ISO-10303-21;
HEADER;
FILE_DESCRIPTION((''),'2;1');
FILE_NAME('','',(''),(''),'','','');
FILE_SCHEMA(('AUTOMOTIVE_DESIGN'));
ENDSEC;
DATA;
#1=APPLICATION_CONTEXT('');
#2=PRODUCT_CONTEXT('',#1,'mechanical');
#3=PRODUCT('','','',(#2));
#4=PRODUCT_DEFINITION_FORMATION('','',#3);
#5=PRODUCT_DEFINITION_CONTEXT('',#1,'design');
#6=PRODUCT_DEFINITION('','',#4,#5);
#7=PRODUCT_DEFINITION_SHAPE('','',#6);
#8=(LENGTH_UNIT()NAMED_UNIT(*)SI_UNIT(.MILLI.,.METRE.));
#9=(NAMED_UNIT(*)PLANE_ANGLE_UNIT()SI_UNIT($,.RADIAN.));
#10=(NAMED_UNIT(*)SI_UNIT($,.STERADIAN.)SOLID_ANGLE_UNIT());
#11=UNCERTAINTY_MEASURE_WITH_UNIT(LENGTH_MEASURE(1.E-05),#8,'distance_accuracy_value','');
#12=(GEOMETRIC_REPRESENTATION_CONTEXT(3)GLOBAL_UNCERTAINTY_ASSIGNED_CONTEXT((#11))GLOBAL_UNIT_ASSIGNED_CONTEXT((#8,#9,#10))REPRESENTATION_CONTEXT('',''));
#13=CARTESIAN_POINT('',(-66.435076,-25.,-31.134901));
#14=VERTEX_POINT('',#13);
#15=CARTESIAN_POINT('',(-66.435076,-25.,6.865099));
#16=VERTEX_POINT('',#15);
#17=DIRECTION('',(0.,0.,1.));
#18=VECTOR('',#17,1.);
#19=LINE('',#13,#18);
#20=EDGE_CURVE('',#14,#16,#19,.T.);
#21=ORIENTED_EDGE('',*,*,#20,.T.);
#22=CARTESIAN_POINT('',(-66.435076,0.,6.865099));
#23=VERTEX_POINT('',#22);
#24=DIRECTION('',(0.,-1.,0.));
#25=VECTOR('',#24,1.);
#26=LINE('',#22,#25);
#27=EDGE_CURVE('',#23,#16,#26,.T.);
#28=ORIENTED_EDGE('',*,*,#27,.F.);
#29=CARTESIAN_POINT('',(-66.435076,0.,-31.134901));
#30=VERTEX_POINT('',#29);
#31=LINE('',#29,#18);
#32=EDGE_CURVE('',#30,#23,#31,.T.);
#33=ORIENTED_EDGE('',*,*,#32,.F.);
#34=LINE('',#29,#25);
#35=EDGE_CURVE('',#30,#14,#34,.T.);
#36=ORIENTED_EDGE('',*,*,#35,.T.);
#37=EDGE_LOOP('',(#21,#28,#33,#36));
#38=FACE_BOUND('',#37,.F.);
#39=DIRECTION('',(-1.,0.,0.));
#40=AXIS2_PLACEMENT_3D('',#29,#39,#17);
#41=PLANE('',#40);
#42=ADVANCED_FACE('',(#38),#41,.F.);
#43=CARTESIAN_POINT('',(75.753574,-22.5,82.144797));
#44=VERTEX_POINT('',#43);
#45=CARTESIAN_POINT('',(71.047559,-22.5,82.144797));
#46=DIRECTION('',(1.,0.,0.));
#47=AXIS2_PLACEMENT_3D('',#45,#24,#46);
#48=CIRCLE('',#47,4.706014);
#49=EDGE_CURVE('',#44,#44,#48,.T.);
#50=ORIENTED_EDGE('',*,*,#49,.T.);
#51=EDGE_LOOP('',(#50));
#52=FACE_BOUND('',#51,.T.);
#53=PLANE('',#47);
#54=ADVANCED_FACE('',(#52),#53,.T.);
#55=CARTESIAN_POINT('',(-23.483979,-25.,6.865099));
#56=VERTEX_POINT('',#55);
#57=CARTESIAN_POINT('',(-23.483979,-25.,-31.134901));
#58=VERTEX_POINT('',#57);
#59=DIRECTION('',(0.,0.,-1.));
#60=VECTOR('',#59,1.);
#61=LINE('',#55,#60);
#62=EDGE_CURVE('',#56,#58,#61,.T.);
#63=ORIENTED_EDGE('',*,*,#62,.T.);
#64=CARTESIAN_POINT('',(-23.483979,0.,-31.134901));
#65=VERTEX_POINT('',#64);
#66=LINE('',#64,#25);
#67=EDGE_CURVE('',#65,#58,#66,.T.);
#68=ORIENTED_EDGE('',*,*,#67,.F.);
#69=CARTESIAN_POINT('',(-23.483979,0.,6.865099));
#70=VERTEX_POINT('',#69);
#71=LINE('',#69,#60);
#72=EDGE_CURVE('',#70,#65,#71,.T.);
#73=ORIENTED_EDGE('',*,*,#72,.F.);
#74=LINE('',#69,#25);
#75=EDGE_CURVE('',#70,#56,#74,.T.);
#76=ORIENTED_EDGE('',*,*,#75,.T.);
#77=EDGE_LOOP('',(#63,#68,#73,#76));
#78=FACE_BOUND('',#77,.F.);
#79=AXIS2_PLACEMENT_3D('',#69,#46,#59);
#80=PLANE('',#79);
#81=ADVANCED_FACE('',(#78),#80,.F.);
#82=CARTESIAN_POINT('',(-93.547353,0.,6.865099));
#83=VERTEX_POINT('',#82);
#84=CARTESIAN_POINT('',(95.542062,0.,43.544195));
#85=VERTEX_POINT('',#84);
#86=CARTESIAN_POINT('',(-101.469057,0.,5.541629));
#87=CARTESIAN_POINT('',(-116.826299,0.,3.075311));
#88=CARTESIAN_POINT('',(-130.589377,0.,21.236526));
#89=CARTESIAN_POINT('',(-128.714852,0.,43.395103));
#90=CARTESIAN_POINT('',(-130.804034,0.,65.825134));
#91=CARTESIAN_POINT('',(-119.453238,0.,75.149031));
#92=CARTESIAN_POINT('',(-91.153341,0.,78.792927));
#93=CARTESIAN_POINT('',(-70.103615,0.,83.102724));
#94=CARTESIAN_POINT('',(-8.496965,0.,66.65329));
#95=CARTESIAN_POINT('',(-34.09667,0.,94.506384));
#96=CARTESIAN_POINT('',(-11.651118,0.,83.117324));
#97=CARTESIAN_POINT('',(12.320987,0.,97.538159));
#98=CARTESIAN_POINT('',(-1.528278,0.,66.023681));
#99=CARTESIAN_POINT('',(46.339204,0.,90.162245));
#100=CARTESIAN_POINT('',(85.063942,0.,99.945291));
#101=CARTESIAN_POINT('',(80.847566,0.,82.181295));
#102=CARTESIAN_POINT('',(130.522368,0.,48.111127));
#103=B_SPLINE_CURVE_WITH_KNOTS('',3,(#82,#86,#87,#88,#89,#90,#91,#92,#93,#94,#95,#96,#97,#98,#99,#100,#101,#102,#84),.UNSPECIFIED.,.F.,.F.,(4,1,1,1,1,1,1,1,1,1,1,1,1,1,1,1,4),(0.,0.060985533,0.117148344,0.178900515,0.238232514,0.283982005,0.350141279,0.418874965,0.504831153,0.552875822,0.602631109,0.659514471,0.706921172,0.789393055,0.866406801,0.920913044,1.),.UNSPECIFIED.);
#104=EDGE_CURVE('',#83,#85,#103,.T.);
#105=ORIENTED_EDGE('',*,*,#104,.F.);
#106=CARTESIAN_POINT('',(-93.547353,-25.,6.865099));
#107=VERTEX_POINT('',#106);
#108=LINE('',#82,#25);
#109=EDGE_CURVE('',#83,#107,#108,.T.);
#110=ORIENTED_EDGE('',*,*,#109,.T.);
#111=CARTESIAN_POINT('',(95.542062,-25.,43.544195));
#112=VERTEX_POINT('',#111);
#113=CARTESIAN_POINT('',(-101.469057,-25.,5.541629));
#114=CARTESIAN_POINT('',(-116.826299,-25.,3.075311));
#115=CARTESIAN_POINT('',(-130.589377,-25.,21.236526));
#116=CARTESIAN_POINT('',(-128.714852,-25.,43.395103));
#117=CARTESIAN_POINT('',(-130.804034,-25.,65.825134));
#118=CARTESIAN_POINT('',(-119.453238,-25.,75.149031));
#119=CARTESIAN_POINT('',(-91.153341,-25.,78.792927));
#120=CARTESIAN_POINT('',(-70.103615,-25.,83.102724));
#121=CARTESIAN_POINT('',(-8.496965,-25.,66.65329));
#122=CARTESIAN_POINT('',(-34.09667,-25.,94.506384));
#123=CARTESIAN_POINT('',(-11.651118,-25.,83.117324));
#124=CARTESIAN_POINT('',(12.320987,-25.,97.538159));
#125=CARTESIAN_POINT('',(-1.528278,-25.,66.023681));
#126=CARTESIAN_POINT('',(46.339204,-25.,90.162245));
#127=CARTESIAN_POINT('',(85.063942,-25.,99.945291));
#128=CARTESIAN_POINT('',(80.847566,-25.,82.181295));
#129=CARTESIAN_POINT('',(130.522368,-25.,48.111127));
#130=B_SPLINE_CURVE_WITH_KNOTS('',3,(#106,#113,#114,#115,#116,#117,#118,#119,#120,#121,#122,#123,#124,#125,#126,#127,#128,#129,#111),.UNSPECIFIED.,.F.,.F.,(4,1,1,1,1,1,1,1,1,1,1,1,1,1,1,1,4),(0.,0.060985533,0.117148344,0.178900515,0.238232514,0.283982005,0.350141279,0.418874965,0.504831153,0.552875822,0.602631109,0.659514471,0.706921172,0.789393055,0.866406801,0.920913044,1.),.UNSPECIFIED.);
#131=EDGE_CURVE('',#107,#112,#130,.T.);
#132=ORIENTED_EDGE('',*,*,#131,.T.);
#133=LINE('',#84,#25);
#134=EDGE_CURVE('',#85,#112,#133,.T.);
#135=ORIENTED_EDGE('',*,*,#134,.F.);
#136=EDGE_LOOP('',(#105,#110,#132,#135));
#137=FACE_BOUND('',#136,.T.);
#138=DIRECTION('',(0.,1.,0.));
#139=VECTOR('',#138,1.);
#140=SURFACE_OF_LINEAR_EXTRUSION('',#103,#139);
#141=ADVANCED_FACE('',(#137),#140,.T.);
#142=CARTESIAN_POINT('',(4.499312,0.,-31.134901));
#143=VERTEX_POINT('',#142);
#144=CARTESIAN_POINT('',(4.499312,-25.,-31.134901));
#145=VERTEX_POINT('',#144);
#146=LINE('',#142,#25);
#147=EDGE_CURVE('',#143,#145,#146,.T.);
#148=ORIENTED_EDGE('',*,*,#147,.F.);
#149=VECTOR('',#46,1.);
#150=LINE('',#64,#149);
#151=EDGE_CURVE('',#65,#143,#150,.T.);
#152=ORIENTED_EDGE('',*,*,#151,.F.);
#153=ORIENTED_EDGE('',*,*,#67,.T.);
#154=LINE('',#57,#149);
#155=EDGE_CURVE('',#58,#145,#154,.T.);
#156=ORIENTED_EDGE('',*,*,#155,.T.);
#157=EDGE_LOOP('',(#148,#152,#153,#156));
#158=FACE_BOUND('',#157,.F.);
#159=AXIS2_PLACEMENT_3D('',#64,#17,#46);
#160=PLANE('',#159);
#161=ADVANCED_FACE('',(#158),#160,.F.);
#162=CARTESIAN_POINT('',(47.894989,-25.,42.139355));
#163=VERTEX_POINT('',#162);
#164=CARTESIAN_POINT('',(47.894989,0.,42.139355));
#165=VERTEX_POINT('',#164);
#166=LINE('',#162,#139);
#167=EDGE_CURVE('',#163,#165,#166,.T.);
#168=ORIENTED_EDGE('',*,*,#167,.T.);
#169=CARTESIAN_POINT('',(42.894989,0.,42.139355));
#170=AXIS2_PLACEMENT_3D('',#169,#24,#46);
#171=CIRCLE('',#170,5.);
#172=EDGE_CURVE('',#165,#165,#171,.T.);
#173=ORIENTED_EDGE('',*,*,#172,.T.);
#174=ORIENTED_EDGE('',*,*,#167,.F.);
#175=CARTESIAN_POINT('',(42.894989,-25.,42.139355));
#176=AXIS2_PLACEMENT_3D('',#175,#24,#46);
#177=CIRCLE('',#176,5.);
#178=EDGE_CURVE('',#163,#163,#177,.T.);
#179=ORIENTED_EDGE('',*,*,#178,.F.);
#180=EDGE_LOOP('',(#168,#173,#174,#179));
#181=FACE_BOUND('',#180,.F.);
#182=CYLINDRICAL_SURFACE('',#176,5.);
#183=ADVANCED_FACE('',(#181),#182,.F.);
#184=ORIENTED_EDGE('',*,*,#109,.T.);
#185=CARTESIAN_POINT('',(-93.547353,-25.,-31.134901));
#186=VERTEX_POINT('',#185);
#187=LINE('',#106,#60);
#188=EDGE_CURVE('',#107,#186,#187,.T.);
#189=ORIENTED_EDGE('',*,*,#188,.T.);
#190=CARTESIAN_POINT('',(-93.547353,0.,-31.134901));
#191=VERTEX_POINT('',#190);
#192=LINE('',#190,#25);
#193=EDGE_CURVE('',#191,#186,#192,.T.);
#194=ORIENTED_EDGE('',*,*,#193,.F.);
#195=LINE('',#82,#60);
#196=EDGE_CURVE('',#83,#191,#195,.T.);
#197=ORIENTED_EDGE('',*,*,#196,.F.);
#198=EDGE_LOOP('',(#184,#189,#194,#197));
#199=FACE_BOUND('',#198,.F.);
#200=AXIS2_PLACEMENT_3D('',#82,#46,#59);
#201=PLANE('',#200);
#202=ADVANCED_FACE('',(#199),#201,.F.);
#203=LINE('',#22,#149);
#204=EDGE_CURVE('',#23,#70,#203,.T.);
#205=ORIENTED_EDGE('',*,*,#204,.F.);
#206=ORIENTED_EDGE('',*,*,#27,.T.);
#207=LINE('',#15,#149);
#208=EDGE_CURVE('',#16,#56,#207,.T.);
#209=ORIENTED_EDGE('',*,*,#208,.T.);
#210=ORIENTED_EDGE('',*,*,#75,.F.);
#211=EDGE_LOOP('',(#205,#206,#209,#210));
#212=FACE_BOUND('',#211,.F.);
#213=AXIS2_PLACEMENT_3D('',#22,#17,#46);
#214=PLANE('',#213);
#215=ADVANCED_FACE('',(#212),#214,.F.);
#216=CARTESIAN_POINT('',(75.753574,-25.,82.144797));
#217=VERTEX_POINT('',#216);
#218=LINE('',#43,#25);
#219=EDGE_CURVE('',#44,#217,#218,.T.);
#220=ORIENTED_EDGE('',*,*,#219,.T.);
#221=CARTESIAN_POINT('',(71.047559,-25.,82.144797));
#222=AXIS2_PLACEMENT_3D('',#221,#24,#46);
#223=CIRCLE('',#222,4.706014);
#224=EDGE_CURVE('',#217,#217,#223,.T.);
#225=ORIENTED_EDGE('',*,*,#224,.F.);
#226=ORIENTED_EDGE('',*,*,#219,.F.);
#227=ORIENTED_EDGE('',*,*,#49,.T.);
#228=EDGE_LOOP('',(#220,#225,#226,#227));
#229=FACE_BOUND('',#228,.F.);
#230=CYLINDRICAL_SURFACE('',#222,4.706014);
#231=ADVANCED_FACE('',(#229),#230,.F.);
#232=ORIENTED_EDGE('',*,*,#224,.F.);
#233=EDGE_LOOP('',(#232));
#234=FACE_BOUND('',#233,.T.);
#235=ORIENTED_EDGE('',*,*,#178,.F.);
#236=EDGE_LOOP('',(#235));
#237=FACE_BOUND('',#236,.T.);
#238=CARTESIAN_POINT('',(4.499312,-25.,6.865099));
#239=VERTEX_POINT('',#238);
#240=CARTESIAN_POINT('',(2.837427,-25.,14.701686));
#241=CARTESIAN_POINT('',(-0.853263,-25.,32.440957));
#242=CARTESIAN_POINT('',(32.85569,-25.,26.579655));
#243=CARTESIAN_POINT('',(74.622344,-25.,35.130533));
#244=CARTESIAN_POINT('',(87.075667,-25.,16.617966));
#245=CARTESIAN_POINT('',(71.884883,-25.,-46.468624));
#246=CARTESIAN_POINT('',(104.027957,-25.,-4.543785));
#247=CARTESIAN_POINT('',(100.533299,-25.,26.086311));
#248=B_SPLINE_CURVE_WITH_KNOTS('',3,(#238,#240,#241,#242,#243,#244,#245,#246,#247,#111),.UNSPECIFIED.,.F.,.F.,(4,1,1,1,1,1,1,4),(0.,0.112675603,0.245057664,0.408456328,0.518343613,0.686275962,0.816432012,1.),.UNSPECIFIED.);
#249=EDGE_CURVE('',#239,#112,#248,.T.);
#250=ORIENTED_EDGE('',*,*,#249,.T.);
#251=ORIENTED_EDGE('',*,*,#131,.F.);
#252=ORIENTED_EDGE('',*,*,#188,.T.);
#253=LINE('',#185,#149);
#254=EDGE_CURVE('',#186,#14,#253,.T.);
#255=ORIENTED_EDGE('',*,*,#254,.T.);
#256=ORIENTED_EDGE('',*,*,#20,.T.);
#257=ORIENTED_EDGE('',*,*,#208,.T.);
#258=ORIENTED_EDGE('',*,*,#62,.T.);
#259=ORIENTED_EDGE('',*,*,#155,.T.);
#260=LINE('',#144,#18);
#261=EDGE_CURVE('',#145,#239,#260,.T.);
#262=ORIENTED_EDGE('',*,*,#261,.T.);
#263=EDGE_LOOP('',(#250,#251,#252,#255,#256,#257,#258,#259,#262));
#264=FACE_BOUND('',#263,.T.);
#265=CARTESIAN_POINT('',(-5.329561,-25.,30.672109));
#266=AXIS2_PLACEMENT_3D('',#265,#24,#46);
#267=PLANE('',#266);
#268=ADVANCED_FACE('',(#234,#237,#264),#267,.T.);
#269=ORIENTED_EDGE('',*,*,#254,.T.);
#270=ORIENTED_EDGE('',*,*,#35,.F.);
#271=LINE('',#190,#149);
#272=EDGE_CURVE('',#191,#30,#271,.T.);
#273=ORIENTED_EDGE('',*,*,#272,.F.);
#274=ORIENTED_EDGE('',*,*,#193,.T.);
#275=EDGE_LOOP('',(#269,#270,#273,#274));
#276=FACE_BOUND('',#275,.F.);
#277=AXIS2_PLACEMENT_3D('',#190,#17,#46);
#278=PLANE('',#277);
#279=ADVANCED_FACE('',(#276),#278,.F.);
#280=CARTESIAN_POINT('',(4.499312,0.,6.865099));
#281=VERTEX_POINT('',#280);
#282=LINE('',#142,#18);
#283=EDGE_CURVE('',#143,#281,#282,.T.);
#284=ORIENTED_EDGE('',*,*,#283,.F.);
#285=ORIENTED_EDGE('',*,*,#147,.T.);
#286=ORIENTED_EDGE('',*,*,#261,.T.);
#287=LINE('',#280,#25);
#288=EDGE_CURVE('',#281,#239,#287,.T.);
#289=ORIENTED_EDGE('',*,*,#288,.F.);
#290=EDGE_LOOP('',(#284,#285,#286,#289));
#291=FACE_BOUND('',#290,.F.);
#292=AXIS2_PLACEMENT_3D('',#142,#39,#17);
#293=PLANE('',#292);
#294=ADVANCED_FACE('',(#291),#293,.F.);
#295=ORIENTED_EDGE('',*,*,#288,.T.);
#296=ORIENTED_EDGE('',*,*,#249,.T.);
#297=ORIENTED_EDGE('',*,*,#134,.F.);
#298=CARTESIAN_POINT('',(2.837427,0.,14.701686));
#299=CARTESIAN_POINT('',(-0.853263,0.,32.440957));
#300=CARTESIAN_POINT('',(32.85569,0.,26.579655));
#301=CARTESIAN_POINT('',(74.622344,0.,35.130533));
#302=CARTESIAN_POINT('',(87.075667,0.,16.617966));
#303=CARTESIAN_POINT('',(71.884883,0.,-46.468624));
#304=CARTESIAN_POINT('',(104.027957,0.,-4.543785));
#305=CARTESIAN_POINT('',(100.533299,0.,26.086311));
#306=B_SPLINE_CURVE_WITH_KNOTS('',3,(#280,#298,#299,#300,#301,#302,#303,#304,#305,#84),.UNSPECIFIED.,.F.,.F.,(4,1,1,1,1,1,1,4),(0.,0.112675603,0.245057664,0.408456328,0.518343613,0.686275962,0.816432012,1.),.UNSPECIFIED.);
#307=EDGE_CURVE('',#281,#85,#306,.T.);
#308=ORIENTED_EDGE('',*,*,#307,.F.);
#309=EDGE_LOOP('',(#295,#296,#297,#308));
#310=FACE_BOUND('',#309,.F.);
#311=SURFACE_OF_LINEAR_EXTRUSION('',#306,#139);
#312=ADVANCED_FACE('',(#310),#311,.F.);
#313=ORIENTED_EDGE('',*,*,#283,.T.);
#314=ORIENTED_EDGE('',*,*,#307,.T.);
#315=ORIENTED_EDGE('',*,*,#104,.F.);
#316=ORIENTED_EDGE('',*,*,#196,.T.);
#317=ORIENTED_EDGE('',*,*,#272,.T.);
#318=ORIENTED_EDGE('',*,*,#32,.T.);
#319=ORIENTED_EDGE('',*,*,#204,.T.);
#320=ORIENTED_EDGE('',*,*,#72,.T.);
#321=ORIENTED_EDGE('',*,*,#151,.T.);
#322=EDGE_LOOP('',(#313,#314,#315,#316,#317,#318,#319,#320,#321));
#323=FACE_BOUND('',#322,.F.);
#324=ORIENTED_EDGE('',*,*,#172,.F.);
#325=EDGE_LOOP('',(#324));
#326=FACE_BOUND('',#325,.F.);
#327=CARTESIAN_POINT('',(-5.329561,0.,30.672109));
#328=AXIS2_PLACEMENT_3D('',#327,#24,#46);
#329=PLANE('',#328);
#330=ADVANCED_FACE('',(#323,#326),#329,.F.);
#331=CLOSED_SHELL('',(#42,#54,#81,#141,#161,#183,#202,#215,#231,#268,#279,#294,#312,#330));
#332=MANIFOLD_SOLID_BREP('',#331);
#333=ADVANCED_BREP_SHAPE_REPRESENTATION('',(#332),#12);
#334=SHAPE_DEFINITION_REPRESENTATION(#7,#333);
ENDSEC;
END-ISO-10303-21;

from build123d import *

# Parameters (mm, degrees)
F1_DEPTH = 25
F2_R     = 5
F3_DEPTH = 25
F4_R     = 4.7060144618
F5_DEPTH = 2.5


with BuildPart() as f1:
    # F0 (on Front) → F1 (new body)
    with BuildSketch(Plane.XZ):
        with BuildLine():
            Line((-93.5473529278, -31.1349012546), (-66.4350762963, -31.1349012546))
            Line((-66.4350762963, -31.1349012546), (-66.4350762963, 6.8650987454))
            Line((-66.4350762963, 6.8650987454), (-23.4839785844, 6.8650987454))
            Line((-23.4839785844, 6.8650987454), (-23.4839785844, -31.1349012546))
            Line((-23.4839785844, -31.1349012546), (4.4993120246, -31.1349012546))
            Line((4.4993120246, -31.1349012546), (4.4993120246, 6.8650987454))
            add(Edge.make_bspline(
                [(4.4993120246, 6.8650987454), (2.8374269836, 14.7016855693), (-0.853263147, 32.4409569292), (32.8556895583, 26.5796547808), (74.6223439516, 35.1305334646), (87.0756669584, 16.6179660718), (71.8848827444, -46.4686235023), (104.0279569167, -4.5437848956), (100.5332989701, 26.0863109785), (95.5420616639, 43.5441946911)],
                knots=[0, 0, 0, 0, 0.1126756035, 0.2450576643, 0.4084563281, 0.5183436129, 0.686275962, 0.8164320125, 1, 1, 1, 1], degree=3))
            add(Edge.make_bspline(
                [(-93.5473529278, 6.8650987454), (-101.4690569387, 5.5416294083), (-116.8262994128, 3.0753109769), (-130.5893771841, 21.2365260223), (-128.714852237, 43.3951030868), (-130.8040339637, 65.8251341347), (-119.4532378267, 75.1490306938), (-91.1533413551, 78.7929273031), (-70.1036146915, 83.102724482), (-8.4969648894, 66.653290338), (-34.0966697601, 94.5063841366), (-11.6511179657, 83.1173242445), (12.3209867208, 97.5381588934), (-1.5282783855, 66.0236808394), (46.339203984, 90.1622448682), (85.0639423188, 99.9452910303), (80.8475662951, 82.181295183), (130.5223684823, 48.1111268317), (95.5420616639, 43.5441946911)],
                knots=[0, 0, 0, 0, 0.0609855328, 0.117148344, 0.1789005154, 0.238232514, 0.2839820053, 0.350141279, 0.4188749647, 0.5048311531, 0.5528758222, 0.6026311094, 0.6595144711, 0.7069211722, 0.7893930554, 0.8664068009, 0.9209130445, 1, 1, 1, 1], degree=3))
            Line((-93.5473529278, 6.8650987454), (-93.5473529278, -31.1349012546))
        make_face()
    extrude(amount=F1_DEPTH)

    # F2 (on face) → F3 (cut)
    with BuildSketch(Plane.XZ.offset(25)):
        with Locations((42.8949892521, 42.1393550932)):
            Circle(F2_R)
    extrude(amount=-F3_DEPTH, mode=Mode.SUBTRACT)

    # F4 (on face) → F5 (cut, symmetric)
    with BuildSketch(Plane.XZ.offset(25)):
        with Locations((71.0475593805, 82.1447968483)):
            Circle(F4_R)
    extrude(amount=F5_DEPTH, both=True, mode=Mode.SUBTRACT)


solid = f1.part
